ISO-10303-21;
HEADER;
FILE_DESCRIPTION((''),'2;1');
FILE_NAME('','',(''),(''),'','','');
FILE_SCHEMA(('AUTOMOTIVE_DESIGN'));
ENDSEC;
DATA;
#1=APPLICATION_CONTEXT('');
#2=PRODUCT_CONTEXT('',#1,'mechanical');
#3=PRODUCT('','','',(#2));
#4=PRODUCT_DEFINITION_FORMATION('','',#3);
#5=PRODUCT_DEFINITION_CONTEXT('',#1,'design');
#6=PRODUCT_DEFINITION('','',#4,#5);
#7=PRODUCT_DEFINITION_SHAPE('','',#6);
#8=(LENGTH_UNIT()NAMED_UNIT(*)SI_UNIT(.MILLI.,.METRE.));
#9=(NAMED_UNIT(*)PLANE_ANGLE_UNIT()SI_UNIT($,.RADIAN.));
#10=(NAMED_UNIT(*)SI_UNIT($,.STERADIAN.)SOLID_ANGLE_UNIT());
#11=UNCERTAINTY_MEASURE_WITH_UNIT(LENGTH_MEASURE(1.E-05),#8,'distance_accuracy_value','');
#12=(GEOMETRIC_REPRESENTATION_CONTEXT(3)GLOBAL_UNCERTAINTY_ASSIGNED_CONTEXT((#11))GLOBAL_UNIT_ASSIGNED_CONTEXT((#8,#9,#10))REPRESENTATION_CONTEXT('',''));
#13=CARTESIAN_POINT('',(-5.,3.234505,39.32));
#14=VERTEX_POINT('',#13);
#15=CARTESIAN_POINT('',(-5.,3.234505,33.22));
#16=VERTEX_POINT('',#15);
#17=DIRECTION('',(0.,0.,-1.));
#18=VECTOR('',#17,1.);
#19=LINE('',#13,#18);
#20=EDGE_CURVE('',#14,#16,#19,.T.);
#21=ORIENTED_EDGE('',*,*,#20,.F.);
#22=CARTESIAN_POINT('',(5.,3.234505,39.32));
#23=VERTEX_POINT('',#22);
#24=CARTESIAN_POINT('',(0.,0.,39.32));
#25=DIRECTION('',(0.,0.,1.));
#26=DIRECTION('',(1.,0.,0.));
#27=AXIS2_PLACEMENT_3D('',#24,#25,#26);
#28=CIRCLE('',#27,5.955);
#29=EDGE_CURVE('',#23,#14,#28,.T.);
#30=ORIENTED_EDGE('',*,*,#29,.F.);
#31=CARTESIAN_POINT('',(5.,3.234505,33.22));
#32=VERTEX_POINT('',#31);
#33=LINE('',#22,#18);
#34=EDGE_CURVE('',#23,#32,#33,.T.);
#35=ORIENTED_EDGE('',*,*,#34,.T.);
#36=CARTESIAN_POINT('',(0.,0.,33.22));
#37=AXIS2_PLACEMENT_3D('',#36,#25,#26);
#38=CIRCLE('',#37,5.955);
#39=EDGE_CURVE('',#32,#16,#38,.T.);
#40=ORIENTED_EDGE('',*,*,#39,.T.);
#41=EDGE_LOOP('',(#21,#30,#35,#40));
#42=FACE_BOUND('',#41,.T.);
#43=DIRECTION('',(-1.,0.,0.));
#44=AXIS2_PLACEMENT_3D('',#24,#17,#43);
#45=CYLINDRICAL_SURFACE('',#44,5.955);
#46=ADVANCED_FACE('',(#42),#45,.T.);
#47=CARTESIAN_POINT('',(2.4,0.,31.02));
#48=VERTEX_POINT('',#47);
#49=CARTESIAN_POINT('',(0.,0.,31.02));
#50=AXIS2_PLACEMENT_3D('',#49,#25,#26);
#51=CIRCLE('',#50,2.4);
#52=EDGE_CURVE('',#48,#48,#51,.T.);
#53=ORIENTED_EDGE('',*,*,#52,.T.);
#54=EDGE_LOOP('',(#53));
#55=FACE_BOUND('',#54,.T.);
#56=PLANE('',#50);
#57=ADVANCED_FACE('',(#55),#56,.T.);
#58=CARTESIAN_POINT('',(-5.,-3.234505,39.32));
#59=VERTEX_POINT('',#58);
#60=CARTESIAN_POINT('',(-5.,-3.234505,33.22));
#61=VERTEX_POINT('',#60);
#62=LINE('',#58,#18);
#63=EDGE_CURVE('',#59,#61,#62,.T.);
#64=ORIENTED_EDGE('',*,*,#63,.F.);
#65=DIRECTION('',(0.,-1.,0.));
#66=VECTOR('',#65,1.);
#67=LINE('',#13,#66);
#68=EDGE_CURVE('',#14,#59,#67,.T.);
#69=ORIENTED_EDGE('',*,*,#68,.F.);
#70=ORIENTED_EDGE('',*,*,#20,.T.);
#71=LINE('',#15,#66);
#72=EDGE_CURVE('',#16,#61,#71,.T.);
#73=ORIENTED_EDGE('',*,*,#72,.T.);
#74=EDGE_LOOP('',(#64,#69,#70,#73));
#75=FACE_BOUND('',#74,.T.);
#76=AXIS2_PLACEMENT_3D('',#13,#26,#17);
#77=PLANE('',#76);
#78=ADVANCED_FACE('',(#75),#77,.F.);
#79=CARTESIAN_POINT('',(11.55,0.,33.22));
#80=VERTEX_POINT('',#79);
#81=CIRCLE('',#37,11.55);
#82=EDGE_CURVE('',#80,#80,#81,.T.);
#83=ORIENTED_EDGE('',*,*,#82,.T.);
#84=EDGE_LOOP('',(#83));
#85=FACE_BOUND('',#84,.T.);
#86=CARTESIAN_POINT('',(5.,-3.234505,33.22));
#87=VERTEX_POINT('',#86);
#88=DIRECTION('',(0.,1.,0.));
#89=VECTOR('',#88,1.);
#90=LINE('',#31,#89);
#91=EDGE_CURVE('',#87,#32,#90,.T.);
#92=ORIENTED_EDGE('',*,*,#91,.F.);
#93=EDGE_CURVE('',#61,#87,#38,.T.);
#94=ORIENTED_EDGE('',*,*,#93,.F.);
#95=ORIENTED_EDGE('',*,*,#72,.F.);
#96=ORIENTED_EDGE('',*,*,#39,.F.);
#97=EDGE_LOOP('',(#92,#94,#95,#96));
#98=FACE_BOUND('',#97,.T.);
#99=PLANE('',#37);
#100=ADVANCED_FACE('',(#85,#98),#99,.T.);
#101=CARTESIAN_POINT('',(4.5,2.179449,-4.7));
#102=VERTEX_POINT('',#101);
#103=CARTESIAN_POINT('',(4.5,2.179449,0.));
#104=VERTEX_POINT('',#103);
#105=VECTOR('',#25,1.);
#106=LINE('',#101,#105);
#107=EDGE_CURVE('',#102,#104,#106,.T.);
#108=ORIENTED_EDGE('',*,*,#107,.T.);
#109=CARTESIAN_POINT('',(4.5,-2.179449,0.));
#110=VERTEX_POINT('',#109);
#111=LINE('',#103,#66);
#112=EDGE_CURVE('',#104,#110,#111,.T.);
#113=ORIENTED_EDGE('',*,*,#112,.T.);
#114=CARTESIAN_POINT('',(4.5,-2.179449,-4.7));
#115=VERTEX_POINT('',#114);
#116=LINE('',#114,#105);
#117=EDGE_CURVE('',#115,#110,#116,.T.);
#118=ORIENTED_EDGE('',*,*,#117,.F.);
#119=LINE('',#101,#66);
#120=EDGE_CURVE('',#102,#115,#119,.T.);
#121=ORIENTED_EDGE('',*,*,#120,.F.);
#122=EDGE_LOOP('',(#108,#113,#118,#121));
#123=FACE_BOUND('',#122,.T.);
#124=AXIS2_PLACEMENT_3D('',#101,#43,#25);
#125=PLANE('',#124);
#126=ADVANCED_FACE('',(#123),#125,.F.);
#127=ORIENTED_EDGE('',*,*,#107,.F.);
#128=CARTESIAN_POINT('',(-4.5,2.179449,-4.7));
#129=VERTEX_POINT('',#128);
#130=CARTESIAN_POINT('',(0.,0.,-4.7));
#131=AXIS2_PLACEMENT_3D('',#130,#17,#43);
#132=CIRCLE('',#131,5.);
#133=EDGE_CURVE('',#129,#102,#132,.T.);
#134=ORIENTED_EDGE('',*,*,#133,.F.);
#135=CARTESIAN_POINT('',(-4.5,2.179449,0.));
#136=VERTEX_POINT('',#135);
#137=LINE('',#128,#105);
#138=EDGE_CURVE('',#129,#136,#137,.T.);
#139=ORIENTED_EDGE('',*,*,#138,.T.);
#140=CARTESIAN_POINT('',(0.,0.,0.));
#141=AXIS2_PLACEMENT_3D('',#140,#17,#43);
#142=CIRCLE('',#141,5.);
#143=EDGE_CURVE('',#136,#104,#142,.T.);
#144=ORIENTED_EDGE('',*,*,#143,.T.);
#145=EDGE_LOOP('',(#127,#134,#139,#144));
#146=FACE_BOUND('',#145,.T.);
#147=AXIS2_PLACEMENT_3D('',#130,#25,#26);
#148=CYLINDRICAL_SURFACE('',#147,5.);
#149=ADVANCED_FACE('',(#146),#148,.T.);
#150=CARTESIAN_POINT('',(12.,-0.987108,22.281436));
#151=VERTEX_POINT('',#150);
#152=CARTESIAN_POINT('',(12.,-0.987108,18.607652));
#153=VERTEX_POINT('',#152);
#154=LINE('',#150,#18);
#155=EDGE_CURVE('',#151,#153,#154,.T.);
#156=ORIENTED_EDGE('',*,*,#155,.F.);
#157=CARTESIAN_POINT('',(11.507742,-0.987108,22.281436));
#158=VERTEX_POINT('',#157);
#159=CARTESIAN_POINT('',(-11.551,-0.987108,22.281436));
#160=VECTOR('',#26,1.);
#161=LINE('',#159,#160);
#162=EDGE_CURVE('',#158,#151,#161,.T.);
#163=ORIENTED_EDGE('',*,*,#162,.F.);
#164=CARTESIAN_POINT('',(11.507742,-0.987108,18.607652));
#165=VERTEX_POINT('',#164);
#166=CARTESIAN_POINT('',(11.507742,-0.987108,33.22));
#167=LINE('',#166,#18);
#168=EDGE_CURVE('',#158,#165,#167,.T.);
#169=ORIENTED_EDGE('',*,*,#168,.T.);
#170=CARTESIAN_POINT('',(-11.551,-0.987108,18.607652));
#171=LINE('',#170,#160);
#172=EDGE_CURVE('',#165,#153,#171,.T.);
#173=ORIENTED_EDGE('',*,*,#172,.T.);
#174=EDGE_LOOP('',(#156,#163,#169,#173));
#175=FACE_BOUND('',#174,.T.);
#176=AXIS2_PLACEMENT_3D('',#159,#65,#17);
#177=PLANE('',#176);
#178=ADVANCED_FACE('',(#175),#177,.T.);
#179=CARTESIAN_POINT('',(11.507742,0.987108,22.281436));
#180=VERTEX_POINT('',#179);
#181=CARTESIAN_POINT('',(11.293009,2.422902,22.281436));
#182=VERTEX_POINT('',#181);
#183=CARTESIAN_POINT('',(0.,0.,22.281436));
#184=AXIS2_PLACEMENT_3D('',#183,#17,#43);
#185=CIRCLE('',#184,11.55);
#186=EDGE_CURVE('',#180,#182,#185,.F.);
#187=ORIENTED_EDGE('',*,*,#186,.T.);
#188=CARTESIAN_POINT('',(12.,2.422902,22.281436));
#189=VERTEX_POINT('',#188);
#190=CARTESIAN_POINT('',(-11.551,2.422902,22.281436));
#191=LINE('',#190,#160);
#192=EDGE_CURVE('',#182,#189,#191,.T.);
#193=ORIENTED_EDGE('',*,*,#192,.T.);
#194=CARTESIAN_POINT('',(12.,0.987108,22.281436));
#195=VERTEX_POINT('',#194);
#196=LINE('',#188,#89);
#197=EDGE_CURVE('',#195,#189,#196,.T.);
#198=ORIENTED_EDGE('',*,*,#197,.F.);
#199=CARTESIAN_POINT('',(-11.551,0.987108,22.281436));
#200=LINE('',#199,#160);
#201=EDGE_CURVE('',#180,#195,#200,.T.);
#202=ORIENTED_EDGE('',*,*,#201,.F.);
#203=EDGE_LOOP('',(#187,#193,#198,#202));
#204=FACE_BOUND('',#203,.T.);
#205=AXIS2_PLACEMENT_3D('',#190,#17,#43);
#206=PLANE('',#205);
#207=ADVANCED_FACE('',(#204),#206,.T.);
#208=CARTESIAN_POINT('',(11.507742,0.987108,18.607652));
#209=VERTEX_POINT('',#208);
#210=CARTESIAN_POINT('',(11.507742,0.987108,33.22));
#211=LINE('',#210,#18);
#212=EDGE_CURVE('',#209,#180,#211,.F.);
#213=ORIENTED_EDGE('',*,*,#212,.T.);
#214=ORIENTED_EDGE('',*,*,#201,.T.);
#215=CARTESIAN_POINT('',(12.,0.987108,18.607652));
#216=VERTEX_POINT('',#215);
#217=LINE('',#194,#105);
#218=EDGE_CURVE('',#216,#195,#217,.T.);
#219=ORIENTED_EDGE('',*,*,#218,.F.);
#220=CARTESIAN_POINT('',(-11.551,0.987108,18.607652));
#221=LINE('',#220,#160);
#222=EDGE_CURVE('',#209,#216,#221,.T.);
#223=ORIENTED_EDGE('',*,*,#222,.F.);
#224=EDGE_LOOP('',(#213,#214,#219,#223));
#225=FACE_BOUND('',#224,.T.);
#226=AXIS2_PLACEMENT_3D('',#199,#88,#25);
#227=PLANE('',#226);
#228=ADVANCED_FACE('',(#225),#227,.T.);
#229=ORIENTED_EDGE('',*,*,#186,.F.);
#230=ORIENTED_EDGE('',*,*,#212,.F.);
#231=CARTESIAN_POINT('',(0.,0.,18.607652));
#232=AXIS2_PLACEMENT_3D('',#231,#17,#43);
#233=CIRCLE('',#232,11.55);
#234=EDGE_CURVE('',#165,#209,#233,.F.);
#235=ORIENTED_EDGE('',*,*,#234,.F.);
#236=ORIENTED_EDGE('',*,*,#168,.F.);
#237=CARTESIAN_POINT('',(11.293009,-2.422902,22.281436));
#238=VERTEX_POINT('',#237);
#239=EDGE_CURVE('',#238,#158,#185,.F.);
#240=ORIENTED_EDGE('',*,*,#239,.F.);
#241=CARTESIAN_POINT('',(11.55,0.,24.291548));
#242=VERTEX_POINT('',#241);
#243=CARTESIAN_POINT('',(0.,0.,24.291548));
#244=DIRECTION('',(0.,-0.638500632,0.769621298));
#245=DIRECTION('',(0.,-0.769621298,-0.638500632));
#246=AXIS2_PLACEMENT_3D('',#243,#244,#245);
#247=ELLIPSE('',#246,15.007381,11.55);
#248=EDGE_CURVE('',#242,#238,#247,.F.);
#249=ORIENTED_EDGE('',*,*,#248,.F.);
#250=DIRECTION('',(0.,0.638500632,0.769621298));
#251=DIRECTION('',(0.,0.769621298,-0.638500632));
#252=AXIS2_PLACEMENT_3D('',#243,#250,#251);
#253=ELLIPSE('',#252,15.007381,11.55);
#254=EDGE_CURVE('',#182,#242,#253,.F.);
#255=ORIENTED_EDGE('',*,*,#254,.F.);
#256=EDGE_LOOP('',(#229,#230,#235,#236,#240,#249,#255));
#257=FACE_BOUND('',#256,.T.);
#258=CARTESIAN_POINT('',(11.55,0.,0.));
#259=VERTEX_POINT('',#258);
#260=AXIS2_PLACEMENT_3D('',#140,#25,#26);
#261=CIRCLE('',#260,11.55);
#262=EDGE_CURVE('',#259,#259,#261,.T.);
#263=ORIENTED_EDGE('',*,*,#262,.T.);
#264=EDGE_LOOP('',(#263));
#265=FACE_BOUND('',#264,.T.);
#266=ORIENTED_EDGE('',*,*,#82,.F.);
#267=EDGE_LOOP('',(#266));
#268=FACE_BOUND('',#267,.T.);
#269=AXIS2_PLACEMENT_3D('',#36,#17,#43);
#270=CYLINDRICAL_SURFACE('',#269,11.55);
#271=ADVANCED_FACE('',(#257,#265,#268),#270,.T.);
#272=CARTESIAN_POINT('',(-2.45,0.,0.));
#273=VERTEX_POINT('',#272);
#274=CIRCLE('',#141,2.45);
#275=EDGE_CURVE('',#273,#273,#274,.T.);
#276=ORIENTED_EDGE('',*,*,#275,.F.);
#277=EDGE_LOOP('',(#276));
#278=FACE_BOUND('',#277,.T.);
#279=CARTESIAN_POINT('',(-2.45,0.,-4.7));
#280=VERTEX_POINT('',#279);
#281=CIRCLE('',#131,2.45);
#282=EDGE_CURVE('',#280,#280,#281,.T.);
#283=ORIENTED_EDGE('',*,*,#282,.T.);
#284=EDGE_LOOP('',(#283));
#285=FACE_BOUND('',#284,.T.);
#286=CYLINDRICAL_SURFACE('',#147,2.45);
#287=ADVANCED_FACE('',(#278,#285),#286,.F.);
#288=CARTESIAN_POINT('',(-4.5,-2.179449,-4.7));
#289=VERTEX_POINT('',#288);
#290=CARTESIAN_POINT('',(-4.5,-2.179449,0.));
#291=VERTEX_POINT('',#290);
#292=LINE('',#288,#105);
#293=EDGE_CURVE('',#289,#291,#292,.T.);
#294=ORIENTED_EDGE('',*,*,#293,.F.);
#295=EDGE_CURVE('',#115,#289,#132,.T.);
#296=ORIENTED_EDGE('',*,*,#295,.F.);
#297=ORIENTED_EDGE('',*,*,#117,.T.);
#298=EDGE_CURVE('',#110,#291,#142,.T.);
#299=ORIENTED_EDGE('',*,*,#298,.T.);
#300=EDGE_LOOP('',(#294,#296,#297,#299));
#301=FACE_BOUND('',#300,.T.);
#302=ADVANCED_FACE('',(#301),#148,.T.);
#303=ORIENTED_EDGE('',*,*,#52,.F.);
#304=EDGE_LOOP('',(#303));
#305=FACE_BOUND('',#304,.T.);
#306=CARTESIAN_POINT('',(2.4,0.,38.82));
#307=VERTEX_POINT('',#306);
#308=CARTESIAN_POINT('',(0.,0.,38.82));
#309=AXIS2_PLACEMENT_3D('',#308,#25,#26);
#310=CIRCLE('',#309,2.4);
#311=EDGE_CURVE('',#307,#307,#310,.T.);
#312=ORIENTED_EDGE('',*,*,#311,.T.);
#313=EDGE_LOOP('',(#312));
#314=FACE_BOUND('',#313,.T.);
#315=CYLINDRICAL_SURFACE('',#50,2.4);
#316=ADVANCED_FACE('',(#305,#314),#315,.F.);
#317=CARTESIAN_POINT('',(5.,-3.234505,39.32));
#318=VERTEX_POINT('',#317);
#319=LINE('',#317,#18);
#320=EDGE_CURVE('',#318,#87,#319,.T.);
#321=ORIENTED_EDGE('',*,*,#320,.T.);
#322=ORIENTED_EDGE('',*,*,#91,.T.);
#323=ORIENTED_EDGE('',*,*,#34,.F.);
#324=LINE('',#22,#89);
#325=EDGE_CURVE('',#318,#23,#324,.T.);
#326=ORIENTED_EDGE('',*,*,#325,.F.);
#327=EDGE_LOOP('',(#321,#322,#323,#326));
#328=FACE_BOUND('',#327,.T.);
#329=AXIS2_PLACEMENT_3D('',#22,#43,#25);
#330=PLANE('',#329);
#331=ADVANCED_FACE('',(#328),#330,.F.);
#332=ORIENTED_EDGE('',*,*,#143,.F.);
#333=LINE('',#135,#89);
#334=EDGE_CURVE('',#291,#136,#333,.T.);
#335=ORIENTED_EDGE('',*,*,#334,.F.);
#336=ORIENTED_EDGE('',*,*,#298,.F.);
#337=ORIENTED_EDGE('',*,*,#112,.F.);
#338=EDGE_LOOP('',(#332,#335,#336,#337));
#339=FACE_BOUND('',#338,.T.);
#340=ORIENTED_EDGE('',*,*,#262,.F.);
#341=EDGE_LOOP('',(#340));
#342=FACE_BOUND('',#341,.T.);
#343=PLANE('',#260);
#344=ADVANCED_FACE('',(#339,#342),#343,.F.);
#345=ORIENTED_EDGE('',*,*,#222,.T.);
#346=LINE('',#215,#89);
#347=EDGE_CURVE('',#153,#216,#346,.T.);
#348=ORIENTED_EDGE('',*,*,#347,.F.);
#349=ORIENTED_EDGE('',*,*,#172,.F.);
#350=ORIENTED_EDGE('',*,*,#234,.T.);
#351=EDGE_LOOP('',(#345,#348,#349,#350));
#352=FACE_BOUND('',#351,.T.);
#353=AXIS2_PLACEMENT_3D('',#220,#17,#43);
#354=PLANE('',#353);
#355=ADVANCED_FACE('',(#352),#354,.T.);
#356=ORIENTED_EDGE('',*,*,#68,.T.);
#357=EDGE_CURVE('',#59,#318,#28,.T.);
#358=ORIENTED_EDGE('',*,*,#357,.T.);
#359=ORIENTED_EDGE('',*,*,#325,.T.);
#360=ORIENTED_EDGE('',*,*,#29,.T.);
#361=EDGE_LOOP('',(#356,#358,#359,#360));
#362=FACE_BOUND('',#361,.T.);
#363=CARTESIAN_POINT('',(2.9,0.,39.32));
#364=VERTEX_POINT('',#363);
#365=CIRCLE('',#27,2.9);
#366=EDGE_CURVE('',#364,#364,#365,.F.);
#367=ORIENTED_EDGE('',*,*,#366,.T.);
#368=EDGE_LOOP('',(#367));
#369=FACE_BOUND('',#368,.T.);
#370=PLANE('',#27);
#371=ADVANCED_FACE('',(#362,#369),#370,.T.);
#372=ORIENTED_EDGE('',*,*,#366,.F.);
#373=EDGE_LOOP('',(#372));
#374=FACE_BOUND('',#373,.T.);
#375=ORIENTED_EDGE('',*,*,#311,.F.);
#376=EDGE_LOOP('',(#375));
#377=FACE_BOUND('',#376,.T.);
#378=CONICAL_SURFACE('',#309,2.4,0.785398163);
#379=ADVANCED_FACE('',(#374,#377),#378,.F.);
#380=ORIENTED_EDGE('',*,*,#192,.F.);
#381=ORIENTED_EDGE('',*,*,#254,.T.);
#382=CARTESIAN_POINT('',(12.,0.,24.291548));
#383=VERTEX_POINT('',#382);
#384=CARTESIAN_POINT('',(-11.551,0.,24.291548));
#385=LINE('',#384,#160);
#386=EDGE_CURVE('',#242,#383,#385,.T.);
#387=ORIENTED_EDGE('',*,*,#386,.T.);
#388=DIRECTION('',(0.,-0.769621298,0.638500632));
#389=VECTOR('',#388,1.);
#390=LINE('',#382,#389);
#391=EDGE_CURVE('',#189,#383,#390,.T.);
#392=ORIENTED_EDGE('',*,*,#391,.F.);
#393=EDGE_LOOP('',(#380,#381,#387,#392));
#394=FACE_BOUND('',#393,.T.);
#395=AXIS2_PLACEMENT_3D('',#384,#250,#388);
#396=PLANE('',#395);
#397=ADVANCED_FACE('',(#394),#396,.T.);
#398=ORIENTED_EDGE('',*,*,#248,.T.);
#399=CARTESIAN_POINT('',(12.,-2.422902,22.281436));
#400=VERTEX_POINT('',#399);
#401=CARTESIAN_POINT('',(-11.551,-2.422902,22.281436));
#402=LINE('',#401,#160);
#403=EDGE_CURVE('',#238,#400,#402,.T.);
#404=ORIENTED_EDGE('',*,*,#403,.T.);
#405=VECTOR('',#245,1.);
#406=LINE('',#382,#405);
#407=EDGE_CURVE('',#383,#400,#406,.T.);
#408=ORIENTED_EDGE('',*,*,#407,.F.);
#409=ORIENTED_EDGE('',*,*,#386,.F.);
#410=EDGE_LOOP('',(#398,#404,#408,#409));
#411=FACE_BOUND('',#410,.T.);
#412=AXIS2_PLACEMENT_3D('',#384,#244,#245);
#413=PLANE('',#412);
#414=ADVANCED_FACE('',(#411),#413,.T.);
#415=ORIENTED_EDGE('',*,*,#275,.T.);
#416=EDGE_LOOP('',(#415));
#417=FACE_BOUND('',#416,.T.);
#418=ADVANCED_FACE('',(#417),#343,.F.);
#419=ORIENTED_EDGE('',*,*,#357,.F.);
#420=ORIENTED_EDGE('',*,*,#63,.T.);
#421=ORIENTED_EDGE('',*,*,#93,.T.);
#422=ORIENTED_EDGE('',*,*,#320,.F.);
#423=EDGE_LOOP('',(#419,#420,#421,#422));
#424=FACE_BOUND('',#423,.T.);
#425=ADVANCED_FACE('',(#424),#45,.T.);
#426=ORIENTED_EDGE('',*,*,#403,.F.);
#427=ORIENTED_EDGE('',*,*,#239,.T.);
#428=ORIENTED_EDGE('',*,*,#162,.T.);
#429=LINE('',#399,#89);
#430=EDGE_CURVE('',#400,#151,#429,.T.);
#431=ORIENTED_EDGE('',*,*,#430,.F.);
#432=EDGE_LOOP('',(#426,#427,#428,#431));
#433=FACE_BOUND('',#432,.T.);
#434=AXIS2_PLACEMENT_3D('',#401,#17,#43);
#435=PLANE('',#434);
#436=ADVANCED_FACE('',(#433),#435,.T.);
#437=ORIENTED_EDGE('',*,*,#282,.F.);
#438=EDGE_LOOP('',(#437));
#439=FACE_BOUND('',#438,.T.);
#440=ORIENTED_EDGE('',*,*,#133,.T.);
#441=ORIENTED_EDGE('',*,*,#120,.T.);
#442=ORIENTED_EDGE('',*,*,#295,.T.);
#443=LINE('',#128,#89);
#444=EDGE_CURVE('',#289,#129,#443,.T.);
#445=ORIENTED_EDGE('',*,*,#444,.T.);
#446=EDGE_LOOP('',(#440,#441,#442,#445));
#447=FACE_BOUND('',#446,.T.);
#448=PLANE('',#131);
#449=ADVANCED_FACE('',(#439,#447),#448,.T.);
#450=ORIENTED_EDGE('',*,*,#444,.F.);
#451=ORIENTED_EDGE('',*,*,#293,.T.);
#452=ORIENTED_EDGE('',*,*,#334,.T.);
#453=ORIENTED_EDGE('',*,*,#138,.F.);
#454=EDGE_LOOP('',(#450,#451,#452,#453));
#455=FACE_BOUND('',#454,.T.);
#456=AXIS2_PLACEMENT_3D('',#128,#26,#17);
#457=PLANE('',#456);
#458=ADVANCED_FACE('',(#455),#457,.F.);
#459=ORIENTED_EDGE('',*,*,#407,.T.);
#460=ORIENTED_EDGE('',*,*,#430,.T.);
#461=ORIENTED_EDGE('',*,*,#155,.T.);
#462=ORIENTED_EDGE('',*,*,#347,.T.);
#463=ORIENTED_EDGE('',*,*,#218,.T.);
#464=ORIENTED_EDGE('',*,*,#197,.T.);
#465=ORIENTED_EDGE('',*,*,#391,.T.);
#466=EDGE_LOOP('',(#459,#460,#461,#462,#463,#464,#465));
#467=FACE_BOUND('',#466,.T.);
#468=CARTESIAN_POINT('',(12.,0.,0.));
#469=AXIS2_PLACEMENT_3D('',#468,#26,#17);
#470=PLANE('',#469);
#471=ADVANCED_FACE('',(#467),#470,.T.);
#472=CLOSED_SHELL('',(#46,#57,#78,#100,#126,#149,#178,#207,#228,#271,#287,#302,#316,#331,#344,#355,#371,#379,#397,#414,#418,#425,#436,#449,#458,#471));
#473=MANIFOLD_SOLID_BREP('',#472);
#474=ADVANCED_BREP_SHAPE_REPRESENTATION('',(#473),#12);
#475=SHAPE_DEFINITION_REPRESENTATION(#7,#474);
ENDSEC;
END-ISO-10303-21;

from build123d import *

# Parameters (mm, degrees)
SKETCH1_R           = 11.55
BOSS_EXTRUDE1_DEPTH = 33.22
BOSS_EXTRUDE2_DEPTH = 6.1
SKETCH3_R           = 2.4
CUT_EXTRUDE1_DEPTH  = 8.3
CHAMFER1_SIZE       = 0.5
SKETCH4_R           = 2.45
BOSS_EXTRUDE3_DEPTH = 4.7
BOSS_EXTRUDE4_START = 6.793009
BOSS_EXTRUDE4_DEPTH = 0.706991


with BuildPart() as part:
    # Sketch1 → Boss-Extrude1 (new body)
    with BuildSketch(Plane.XY):
        Circle(SKETCH1_R)
    extrude(amount=BOSS_EXTRUDE1_DEPTH)

    # Sketch2 → Boss-Extrude2 (add)
    with BuildSketch(Plane.XY.offset(33.22)):
        with BuildLine():
            Line((5, 3.234505372), (5, -3.234505372))
            ThreePointArc((5, -3.234505372), (0, -5.955), (-5, -3.234505372))
            Line((-5, -3.234505372), (-5, 3.234505372))
            ThreePointArc((-5, 3.234505372), (0, 5.955), (5, 3.234505372))
        make_face()
    extrude(amount=BOSS_EXTRUDE2_DEPTH)

    # Sketch3 → Cut-Extrude1 (cut)
    with BuildSketch(Plane.XY.offset(39.32)):
        Circle(SKETCH3_R)
    extrude(amount=-CUT_EXTRUDE1_DEPTH, mode=Mode.SUBTRACT)

    # Chamfer1
    chamfer1_edges = [part.edges().sort_by_distance(p)[0] for p in [
        (-2.4, 0, 39.32),
    ]]
    chamfer(chamfer1_edges, length=CHAMFER1_SIZE)

    # Sketch4 → Boss-Extrude3 (add)
    with BuildSketch(Plane(origin=(0, 0, 0), x_dir=(-1, 0, 0), z_dir=(0, 0, -1))):
        with BuildLine():
            Line((4.5, 2.179449472), (4.5, -2.179449472))
            ThreePointArc((4.5, -2.179449472), (0, -5), (-4.5, -2.179449472))
            Line((-4.5, -2.179449472), (-4.5, 2.179449472))
            ThreePointArc((-4.5, 2.179449472), (0, 5), (4.5, 2.179449472))
        make_face()
        Circle(SKETCH4_R, mode=Mode.SUBTRACT)
    extrude(amount=BOSS_EXTRUDE3_DEPTH)

    # Sketch5 → Boss-Extrude4 (add)
    with BuildSketch(Plane(origin=(4.5, 0, 0), x_dir=(0, 0, -1), z_dir=(1, 0, 0)).offset(BOSS_EXTRUDE4_START)):
        Polygon((-24.291547622, 0), (-22.281436224, 2.422902131), (-22.281436224, 0.987108276), (-18.60765225, 0.987108276), (-18.60765225, -0.987108276), (-22.281436224, -0.987108276), (-22.281436224, -2.422902131), align=None)
    extrude(amount=BOSS_EXTRUDE4_DEPTH)


solid = part.part
